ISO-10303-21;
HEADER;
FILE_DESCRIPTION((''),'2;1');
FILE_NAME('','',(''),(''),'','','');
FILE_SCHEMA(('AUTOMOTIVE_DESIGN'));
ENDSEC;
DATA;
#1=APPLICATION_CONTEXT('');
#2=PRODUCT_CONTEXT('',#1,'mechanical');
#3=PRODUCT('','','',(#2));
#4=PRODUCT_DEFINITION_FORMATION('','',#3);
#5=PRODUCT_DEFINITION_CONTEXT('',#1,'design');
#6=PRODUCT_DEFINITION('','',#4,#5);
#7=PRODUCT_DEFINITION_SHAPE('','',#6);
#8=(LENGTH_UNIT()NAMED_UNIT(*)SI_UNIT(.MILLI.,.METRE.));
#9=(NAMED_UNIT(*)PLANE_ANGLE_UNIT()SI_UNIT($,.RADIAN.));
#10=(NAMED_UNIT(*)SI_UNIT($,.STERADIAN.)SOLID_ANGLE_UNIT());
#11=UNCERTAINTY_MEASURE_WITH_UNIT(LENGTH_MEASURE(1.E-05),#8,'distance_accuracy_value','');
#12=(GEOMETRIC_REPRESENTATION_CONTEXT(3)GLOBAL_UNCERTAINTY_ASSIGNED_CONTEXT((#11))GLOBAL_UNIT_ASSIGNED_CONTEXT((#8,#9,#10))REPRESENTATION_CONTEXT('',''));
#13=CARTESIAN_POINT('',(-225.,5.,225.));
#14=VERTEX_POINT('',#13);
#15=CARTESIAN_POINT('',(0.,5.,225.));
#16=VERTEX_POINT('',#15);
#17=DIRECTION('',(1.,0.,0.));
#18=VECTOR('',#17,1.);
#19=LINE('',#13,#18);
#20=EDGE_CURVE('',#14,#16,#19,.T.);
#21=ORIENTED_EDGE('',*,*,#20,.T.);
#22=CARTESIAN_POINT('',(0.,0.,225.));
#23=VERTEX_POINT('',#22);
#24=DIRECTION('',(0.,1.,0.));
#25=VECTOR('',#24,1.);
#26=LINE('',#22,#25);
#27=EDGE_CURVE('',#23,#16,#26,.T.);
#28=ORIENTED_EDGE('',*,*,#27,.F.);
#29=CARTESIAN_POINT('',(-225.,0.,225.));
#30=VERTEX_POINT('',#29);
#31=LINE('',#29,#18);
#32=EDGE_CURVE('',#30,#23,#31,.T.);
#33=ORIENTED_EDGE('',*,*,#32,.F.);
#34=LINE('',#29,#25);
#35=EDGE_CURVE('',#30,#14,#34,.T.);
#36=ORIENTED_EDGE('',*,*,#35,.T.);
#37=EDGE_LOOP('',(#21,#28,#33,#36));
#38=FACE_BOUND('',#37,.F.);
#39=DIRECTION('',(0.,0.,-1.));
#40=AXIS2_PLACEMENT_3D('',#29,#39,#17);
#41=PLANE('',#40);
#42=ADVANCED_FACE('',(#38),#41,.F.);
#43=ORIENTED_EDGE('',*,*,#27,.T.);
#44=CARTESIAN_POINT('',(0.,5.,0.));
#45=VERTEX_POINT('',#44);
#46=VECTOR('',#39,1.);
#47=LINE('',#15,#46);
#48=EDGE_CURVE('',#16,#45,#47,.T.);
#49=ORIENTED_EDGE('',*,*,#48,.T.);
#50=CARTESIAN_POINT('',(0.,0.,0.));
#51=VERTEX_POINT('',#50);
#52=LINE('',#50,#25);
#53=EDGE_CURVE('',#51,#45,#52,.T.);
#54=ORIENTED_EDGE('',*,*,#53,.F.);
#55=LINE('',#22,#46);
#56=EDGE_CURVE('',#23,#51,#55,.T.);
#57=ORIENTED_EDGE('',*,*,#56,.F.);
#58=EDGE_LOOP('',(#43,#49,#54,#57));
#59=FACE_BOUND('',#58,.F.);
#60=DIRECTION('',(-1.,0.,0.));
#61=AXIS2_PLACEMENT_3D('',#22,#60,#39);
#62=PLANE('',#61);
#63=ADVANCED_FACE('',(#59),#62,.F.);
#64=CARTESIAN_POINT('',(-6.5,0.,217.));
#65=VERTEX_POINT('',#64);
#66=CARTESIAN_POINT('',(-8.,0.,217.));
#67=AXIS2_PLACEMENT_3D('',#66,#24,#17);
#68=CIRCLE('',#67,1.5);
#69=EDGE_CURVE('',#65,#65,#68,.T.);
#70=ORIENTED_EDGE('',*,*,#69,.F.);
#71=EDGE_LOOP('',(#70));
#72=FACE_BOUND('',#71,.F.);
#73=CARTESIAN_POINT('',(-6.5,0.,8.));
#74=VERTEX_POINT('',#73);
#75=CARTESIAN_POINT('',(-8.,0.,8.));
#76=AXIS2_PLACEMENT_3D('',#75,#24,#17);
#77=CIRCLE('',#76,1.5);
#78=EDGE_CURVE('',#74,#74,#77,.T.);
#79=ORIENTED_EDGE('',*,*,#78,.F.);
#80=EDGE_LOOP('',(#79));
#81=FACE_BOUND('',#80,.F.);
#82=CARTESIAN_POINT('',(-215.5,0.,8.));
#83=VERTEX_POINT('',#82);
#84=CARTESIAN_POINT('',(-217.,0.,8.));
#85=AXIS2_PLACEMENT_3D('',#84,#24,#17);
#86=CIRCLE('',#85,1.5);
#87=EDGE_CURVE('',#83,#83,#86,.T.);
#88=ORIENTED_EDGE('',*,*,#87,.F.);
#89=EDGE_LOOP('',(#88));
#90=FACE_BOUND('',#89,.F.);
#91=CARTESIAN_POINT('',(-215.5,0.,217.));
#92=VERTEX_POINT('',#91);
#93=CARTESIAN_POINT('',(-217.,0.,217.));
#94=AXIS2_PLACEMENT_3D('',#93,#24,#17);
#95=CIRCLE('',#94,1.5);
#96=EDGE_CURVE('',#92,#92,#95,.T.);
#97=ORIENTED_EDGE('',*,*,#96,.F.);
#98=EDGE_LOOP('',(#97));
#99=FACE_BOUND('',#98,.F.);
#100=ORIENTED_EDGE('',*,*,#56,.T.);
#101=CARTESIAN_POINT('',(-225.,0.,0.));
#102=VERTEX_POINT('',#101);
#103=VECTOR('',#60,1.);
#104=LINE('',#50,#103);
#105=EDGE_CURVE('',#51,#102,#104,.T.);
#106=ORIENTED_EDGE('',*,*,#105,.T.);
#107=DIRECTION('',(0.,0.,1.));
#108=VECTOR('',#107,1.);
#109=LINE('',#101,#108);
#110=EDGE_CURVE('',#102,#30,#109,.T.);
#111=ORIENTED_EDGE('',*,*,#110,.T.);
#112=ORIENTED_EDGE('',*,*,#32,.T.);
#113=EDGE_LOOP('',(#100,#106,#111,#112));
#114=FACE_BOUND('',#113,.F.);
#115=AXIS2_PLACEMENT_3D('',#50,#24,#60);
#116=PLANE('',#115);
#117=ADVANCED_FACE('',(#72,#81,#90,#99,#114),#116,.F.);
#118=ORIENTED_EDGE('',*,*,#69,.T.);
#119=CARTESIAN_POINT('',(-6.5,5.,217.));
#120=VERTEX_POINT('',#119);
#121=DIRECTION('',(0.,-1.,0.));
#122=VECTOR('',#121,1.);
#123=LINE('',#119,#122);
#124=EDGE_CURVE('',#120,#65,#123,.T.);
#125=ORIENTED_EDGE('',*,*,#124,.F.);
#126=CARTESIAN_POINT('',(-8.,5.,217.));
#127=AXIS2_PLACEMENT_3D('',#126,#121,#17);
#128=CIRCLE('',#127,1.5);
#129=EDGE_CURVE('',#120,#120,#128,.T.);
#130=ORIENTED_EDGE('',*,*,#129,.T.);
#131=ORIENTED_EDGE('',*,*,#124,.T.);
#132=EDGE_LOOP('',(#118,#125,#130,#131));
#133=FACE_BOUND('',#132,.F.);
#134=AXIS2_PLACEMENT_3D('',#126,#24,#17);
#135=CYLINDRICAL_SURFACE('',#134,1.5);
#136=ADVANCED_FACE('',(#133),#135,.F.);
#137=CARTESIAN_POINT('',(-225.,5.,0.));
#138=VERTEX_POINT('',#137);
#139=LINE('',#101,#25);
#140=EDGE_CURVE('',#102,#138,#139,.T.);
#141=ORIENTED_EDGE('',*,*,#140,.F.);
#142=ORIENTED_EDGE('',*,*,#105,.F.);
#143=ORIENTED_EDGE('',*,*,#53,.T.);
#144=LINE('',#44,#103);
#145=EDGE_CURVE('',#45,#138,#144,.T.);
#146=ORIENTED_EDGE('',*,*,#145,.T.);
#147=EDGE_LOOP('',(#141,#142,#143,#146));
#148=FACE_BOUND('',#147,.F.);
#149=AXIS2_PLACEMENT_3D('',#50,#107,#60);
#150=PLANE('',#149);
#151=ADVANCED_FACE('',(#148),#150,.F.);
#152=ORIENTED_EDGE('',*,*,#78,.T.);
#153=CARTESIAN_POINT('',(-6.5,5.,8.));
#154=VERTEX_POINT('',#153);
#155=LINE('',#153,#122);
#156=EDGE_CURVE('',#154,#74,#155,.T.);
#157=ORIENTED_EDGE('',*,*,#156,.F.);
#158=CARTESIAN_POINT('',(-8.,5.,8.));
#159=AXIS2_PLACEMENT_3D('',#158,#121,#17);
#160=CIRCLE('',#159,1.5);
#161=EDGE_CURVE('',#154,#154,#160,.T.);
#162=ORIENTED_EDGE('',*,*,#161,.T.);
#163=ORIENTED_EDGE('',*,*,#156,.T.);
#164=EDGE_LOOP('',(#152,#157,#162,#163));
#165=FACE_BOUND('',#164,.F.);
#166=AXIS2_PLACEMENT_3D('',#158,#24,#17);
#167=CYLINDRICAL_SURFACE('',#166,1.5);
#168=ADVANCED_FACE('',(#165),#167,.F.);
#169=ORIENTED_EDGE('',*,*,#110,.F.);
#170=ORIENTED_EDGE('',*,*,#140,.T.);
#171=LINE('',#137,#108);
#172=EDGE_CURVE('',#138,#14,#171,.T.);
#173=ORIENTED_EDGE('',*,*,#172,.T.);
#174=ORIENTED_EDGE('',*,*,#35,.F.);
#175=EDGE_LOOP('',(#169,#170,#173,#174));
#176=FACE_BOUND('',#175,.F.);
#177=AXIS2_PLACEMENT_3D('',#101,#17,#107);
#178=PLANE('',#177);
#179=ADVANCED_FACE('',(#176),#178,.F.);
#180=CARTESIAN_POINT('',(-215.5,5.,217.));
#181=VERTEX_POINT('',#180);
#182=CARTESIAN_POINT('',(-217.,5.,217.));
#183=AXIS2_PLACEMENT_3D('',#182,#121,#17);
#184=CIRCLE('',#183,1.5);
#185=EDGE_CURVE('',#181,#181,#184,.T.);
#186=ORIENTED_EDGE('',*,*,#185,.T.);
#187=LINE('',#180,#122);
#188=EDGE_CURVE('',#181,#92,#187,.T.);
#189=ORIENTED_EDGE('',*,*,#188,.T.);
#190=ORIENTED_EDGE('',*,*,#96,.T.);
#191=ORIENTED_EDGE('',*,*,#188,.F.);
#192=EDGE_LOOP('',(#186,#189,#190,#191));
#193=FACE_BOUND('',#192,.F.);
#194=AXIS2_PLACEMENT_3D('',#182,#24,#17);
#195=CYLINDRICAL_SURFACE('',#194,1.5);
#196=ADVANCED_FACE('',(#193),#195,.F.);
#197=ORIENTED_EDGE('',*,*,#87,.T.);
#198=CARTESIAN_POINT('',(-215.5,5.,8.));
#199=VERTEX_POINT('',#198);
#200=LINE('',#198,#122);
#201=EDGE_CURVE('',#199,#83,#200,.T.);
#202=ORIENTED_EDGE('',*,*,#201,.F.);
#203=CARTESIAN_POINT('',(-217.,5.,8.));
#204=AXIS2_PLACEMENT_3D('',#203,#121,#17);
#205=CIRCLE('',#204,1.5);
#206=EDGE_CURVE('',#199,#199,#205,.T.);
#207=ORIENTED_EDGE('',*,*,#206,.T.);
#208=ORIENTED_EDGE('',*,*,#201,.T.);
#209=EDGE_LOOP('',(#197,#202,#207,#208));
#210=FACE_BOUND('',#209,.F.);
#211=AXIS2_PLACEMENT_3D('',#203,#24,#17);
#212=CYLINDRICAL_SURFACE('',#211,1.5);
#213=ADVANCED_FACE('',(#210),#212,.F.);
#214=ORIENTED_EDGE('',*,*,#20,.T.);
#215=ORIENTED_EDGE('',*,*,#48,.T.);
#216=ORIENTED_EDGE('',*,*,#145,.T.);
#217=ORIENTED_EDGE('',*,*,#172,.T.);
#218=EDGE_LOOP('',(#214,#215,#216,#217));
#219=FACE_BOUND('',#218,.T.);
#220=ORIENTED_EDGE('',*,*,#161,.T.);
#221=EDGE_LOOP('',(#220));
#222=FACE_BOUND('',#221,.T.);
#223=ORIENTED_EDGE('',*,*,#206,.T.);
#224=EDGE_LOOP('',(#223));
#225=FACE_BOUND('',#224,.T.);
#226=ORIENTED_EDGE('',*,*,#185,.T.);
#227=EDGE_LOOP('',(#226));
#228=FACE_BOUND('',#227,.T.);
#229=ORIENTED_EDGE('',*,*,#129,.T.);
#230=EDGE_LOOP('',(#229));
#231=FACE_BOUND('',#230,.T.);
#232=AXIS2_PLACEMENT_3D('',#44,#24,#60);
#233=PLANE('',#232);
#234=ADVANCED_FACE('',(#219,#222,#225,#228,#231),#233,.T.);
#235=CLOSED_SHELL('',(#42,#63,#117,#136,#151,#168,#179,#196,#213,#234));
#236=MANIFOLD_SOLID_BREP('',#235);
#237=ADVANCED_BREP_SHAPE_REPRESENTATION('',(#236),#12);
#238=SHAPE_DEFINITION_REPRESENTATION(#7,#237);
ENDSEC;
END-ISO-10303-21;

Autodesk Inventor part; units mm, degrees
ref_plane "YZ Plane" through (0, 0, 0) normal (1, 0, 0) x (0, 1, 0)
ref_plane "XZ Plane" through (0, 0, 0) normal (0, 1, 0) x (-1, 0, 0)
ref_plane "XY Plane" through (0, 0, 0) normal (0, 0, 1) x (1, 0, 0)
sketch "Sketch1" plane through (0, 0, 0) normal (0, 1, 0) x (-1, 0, 0)
  line L0 (0, 0) -> (225, 0)
  line L1 (225, 0) -> (225, 225)
  line L2 (225, 225) -> (0, 225)
  line L3 (0, 225) -> (0, 0)
  dimension "d0" = 225
  dimension "d1" = 225
extrude "Extrusion1" add sketch "Sketch1" along normal blind 5
sketch "Sketch2" plane through (0, 5, 0) normal (0, 1, 0) x (1, 0, 0)
  line L0 (-217, -8) -> (-8, -8)
  line L1 (-8, -8) -> (-8, -217)
  line L2 (-8, -217) -> (-217, -217)
  line L3 (-217, -217) -> (-217, -8)
  circle A0 centre (-217, -8) radius 1.5
  circle A1 centre (-8, -8) radius 1.5
  circle A2 centre (-217, -217) radius 1.5
  circle A3 centre (-8, -217) radius 1.5
  dimension "d4" = 209
  dimension "d5" = 209
  dimension "d6" = 3
  dimension "d7" = 3
  dimension "d8" = 3
  dimension "d9" = 3
extrude "Extrusion2" cut sketch "Sketch2" against normal blind 5 contours L3 A0 L0 | L0 A0 L3 | A1 L1 L0 | L0 L1 A1 | A2 L2 L3 | L3 L2 A2 | A3 L2 L1 | L1 L2 A3
properties part number "Print_TopPlate" material "Birch"
